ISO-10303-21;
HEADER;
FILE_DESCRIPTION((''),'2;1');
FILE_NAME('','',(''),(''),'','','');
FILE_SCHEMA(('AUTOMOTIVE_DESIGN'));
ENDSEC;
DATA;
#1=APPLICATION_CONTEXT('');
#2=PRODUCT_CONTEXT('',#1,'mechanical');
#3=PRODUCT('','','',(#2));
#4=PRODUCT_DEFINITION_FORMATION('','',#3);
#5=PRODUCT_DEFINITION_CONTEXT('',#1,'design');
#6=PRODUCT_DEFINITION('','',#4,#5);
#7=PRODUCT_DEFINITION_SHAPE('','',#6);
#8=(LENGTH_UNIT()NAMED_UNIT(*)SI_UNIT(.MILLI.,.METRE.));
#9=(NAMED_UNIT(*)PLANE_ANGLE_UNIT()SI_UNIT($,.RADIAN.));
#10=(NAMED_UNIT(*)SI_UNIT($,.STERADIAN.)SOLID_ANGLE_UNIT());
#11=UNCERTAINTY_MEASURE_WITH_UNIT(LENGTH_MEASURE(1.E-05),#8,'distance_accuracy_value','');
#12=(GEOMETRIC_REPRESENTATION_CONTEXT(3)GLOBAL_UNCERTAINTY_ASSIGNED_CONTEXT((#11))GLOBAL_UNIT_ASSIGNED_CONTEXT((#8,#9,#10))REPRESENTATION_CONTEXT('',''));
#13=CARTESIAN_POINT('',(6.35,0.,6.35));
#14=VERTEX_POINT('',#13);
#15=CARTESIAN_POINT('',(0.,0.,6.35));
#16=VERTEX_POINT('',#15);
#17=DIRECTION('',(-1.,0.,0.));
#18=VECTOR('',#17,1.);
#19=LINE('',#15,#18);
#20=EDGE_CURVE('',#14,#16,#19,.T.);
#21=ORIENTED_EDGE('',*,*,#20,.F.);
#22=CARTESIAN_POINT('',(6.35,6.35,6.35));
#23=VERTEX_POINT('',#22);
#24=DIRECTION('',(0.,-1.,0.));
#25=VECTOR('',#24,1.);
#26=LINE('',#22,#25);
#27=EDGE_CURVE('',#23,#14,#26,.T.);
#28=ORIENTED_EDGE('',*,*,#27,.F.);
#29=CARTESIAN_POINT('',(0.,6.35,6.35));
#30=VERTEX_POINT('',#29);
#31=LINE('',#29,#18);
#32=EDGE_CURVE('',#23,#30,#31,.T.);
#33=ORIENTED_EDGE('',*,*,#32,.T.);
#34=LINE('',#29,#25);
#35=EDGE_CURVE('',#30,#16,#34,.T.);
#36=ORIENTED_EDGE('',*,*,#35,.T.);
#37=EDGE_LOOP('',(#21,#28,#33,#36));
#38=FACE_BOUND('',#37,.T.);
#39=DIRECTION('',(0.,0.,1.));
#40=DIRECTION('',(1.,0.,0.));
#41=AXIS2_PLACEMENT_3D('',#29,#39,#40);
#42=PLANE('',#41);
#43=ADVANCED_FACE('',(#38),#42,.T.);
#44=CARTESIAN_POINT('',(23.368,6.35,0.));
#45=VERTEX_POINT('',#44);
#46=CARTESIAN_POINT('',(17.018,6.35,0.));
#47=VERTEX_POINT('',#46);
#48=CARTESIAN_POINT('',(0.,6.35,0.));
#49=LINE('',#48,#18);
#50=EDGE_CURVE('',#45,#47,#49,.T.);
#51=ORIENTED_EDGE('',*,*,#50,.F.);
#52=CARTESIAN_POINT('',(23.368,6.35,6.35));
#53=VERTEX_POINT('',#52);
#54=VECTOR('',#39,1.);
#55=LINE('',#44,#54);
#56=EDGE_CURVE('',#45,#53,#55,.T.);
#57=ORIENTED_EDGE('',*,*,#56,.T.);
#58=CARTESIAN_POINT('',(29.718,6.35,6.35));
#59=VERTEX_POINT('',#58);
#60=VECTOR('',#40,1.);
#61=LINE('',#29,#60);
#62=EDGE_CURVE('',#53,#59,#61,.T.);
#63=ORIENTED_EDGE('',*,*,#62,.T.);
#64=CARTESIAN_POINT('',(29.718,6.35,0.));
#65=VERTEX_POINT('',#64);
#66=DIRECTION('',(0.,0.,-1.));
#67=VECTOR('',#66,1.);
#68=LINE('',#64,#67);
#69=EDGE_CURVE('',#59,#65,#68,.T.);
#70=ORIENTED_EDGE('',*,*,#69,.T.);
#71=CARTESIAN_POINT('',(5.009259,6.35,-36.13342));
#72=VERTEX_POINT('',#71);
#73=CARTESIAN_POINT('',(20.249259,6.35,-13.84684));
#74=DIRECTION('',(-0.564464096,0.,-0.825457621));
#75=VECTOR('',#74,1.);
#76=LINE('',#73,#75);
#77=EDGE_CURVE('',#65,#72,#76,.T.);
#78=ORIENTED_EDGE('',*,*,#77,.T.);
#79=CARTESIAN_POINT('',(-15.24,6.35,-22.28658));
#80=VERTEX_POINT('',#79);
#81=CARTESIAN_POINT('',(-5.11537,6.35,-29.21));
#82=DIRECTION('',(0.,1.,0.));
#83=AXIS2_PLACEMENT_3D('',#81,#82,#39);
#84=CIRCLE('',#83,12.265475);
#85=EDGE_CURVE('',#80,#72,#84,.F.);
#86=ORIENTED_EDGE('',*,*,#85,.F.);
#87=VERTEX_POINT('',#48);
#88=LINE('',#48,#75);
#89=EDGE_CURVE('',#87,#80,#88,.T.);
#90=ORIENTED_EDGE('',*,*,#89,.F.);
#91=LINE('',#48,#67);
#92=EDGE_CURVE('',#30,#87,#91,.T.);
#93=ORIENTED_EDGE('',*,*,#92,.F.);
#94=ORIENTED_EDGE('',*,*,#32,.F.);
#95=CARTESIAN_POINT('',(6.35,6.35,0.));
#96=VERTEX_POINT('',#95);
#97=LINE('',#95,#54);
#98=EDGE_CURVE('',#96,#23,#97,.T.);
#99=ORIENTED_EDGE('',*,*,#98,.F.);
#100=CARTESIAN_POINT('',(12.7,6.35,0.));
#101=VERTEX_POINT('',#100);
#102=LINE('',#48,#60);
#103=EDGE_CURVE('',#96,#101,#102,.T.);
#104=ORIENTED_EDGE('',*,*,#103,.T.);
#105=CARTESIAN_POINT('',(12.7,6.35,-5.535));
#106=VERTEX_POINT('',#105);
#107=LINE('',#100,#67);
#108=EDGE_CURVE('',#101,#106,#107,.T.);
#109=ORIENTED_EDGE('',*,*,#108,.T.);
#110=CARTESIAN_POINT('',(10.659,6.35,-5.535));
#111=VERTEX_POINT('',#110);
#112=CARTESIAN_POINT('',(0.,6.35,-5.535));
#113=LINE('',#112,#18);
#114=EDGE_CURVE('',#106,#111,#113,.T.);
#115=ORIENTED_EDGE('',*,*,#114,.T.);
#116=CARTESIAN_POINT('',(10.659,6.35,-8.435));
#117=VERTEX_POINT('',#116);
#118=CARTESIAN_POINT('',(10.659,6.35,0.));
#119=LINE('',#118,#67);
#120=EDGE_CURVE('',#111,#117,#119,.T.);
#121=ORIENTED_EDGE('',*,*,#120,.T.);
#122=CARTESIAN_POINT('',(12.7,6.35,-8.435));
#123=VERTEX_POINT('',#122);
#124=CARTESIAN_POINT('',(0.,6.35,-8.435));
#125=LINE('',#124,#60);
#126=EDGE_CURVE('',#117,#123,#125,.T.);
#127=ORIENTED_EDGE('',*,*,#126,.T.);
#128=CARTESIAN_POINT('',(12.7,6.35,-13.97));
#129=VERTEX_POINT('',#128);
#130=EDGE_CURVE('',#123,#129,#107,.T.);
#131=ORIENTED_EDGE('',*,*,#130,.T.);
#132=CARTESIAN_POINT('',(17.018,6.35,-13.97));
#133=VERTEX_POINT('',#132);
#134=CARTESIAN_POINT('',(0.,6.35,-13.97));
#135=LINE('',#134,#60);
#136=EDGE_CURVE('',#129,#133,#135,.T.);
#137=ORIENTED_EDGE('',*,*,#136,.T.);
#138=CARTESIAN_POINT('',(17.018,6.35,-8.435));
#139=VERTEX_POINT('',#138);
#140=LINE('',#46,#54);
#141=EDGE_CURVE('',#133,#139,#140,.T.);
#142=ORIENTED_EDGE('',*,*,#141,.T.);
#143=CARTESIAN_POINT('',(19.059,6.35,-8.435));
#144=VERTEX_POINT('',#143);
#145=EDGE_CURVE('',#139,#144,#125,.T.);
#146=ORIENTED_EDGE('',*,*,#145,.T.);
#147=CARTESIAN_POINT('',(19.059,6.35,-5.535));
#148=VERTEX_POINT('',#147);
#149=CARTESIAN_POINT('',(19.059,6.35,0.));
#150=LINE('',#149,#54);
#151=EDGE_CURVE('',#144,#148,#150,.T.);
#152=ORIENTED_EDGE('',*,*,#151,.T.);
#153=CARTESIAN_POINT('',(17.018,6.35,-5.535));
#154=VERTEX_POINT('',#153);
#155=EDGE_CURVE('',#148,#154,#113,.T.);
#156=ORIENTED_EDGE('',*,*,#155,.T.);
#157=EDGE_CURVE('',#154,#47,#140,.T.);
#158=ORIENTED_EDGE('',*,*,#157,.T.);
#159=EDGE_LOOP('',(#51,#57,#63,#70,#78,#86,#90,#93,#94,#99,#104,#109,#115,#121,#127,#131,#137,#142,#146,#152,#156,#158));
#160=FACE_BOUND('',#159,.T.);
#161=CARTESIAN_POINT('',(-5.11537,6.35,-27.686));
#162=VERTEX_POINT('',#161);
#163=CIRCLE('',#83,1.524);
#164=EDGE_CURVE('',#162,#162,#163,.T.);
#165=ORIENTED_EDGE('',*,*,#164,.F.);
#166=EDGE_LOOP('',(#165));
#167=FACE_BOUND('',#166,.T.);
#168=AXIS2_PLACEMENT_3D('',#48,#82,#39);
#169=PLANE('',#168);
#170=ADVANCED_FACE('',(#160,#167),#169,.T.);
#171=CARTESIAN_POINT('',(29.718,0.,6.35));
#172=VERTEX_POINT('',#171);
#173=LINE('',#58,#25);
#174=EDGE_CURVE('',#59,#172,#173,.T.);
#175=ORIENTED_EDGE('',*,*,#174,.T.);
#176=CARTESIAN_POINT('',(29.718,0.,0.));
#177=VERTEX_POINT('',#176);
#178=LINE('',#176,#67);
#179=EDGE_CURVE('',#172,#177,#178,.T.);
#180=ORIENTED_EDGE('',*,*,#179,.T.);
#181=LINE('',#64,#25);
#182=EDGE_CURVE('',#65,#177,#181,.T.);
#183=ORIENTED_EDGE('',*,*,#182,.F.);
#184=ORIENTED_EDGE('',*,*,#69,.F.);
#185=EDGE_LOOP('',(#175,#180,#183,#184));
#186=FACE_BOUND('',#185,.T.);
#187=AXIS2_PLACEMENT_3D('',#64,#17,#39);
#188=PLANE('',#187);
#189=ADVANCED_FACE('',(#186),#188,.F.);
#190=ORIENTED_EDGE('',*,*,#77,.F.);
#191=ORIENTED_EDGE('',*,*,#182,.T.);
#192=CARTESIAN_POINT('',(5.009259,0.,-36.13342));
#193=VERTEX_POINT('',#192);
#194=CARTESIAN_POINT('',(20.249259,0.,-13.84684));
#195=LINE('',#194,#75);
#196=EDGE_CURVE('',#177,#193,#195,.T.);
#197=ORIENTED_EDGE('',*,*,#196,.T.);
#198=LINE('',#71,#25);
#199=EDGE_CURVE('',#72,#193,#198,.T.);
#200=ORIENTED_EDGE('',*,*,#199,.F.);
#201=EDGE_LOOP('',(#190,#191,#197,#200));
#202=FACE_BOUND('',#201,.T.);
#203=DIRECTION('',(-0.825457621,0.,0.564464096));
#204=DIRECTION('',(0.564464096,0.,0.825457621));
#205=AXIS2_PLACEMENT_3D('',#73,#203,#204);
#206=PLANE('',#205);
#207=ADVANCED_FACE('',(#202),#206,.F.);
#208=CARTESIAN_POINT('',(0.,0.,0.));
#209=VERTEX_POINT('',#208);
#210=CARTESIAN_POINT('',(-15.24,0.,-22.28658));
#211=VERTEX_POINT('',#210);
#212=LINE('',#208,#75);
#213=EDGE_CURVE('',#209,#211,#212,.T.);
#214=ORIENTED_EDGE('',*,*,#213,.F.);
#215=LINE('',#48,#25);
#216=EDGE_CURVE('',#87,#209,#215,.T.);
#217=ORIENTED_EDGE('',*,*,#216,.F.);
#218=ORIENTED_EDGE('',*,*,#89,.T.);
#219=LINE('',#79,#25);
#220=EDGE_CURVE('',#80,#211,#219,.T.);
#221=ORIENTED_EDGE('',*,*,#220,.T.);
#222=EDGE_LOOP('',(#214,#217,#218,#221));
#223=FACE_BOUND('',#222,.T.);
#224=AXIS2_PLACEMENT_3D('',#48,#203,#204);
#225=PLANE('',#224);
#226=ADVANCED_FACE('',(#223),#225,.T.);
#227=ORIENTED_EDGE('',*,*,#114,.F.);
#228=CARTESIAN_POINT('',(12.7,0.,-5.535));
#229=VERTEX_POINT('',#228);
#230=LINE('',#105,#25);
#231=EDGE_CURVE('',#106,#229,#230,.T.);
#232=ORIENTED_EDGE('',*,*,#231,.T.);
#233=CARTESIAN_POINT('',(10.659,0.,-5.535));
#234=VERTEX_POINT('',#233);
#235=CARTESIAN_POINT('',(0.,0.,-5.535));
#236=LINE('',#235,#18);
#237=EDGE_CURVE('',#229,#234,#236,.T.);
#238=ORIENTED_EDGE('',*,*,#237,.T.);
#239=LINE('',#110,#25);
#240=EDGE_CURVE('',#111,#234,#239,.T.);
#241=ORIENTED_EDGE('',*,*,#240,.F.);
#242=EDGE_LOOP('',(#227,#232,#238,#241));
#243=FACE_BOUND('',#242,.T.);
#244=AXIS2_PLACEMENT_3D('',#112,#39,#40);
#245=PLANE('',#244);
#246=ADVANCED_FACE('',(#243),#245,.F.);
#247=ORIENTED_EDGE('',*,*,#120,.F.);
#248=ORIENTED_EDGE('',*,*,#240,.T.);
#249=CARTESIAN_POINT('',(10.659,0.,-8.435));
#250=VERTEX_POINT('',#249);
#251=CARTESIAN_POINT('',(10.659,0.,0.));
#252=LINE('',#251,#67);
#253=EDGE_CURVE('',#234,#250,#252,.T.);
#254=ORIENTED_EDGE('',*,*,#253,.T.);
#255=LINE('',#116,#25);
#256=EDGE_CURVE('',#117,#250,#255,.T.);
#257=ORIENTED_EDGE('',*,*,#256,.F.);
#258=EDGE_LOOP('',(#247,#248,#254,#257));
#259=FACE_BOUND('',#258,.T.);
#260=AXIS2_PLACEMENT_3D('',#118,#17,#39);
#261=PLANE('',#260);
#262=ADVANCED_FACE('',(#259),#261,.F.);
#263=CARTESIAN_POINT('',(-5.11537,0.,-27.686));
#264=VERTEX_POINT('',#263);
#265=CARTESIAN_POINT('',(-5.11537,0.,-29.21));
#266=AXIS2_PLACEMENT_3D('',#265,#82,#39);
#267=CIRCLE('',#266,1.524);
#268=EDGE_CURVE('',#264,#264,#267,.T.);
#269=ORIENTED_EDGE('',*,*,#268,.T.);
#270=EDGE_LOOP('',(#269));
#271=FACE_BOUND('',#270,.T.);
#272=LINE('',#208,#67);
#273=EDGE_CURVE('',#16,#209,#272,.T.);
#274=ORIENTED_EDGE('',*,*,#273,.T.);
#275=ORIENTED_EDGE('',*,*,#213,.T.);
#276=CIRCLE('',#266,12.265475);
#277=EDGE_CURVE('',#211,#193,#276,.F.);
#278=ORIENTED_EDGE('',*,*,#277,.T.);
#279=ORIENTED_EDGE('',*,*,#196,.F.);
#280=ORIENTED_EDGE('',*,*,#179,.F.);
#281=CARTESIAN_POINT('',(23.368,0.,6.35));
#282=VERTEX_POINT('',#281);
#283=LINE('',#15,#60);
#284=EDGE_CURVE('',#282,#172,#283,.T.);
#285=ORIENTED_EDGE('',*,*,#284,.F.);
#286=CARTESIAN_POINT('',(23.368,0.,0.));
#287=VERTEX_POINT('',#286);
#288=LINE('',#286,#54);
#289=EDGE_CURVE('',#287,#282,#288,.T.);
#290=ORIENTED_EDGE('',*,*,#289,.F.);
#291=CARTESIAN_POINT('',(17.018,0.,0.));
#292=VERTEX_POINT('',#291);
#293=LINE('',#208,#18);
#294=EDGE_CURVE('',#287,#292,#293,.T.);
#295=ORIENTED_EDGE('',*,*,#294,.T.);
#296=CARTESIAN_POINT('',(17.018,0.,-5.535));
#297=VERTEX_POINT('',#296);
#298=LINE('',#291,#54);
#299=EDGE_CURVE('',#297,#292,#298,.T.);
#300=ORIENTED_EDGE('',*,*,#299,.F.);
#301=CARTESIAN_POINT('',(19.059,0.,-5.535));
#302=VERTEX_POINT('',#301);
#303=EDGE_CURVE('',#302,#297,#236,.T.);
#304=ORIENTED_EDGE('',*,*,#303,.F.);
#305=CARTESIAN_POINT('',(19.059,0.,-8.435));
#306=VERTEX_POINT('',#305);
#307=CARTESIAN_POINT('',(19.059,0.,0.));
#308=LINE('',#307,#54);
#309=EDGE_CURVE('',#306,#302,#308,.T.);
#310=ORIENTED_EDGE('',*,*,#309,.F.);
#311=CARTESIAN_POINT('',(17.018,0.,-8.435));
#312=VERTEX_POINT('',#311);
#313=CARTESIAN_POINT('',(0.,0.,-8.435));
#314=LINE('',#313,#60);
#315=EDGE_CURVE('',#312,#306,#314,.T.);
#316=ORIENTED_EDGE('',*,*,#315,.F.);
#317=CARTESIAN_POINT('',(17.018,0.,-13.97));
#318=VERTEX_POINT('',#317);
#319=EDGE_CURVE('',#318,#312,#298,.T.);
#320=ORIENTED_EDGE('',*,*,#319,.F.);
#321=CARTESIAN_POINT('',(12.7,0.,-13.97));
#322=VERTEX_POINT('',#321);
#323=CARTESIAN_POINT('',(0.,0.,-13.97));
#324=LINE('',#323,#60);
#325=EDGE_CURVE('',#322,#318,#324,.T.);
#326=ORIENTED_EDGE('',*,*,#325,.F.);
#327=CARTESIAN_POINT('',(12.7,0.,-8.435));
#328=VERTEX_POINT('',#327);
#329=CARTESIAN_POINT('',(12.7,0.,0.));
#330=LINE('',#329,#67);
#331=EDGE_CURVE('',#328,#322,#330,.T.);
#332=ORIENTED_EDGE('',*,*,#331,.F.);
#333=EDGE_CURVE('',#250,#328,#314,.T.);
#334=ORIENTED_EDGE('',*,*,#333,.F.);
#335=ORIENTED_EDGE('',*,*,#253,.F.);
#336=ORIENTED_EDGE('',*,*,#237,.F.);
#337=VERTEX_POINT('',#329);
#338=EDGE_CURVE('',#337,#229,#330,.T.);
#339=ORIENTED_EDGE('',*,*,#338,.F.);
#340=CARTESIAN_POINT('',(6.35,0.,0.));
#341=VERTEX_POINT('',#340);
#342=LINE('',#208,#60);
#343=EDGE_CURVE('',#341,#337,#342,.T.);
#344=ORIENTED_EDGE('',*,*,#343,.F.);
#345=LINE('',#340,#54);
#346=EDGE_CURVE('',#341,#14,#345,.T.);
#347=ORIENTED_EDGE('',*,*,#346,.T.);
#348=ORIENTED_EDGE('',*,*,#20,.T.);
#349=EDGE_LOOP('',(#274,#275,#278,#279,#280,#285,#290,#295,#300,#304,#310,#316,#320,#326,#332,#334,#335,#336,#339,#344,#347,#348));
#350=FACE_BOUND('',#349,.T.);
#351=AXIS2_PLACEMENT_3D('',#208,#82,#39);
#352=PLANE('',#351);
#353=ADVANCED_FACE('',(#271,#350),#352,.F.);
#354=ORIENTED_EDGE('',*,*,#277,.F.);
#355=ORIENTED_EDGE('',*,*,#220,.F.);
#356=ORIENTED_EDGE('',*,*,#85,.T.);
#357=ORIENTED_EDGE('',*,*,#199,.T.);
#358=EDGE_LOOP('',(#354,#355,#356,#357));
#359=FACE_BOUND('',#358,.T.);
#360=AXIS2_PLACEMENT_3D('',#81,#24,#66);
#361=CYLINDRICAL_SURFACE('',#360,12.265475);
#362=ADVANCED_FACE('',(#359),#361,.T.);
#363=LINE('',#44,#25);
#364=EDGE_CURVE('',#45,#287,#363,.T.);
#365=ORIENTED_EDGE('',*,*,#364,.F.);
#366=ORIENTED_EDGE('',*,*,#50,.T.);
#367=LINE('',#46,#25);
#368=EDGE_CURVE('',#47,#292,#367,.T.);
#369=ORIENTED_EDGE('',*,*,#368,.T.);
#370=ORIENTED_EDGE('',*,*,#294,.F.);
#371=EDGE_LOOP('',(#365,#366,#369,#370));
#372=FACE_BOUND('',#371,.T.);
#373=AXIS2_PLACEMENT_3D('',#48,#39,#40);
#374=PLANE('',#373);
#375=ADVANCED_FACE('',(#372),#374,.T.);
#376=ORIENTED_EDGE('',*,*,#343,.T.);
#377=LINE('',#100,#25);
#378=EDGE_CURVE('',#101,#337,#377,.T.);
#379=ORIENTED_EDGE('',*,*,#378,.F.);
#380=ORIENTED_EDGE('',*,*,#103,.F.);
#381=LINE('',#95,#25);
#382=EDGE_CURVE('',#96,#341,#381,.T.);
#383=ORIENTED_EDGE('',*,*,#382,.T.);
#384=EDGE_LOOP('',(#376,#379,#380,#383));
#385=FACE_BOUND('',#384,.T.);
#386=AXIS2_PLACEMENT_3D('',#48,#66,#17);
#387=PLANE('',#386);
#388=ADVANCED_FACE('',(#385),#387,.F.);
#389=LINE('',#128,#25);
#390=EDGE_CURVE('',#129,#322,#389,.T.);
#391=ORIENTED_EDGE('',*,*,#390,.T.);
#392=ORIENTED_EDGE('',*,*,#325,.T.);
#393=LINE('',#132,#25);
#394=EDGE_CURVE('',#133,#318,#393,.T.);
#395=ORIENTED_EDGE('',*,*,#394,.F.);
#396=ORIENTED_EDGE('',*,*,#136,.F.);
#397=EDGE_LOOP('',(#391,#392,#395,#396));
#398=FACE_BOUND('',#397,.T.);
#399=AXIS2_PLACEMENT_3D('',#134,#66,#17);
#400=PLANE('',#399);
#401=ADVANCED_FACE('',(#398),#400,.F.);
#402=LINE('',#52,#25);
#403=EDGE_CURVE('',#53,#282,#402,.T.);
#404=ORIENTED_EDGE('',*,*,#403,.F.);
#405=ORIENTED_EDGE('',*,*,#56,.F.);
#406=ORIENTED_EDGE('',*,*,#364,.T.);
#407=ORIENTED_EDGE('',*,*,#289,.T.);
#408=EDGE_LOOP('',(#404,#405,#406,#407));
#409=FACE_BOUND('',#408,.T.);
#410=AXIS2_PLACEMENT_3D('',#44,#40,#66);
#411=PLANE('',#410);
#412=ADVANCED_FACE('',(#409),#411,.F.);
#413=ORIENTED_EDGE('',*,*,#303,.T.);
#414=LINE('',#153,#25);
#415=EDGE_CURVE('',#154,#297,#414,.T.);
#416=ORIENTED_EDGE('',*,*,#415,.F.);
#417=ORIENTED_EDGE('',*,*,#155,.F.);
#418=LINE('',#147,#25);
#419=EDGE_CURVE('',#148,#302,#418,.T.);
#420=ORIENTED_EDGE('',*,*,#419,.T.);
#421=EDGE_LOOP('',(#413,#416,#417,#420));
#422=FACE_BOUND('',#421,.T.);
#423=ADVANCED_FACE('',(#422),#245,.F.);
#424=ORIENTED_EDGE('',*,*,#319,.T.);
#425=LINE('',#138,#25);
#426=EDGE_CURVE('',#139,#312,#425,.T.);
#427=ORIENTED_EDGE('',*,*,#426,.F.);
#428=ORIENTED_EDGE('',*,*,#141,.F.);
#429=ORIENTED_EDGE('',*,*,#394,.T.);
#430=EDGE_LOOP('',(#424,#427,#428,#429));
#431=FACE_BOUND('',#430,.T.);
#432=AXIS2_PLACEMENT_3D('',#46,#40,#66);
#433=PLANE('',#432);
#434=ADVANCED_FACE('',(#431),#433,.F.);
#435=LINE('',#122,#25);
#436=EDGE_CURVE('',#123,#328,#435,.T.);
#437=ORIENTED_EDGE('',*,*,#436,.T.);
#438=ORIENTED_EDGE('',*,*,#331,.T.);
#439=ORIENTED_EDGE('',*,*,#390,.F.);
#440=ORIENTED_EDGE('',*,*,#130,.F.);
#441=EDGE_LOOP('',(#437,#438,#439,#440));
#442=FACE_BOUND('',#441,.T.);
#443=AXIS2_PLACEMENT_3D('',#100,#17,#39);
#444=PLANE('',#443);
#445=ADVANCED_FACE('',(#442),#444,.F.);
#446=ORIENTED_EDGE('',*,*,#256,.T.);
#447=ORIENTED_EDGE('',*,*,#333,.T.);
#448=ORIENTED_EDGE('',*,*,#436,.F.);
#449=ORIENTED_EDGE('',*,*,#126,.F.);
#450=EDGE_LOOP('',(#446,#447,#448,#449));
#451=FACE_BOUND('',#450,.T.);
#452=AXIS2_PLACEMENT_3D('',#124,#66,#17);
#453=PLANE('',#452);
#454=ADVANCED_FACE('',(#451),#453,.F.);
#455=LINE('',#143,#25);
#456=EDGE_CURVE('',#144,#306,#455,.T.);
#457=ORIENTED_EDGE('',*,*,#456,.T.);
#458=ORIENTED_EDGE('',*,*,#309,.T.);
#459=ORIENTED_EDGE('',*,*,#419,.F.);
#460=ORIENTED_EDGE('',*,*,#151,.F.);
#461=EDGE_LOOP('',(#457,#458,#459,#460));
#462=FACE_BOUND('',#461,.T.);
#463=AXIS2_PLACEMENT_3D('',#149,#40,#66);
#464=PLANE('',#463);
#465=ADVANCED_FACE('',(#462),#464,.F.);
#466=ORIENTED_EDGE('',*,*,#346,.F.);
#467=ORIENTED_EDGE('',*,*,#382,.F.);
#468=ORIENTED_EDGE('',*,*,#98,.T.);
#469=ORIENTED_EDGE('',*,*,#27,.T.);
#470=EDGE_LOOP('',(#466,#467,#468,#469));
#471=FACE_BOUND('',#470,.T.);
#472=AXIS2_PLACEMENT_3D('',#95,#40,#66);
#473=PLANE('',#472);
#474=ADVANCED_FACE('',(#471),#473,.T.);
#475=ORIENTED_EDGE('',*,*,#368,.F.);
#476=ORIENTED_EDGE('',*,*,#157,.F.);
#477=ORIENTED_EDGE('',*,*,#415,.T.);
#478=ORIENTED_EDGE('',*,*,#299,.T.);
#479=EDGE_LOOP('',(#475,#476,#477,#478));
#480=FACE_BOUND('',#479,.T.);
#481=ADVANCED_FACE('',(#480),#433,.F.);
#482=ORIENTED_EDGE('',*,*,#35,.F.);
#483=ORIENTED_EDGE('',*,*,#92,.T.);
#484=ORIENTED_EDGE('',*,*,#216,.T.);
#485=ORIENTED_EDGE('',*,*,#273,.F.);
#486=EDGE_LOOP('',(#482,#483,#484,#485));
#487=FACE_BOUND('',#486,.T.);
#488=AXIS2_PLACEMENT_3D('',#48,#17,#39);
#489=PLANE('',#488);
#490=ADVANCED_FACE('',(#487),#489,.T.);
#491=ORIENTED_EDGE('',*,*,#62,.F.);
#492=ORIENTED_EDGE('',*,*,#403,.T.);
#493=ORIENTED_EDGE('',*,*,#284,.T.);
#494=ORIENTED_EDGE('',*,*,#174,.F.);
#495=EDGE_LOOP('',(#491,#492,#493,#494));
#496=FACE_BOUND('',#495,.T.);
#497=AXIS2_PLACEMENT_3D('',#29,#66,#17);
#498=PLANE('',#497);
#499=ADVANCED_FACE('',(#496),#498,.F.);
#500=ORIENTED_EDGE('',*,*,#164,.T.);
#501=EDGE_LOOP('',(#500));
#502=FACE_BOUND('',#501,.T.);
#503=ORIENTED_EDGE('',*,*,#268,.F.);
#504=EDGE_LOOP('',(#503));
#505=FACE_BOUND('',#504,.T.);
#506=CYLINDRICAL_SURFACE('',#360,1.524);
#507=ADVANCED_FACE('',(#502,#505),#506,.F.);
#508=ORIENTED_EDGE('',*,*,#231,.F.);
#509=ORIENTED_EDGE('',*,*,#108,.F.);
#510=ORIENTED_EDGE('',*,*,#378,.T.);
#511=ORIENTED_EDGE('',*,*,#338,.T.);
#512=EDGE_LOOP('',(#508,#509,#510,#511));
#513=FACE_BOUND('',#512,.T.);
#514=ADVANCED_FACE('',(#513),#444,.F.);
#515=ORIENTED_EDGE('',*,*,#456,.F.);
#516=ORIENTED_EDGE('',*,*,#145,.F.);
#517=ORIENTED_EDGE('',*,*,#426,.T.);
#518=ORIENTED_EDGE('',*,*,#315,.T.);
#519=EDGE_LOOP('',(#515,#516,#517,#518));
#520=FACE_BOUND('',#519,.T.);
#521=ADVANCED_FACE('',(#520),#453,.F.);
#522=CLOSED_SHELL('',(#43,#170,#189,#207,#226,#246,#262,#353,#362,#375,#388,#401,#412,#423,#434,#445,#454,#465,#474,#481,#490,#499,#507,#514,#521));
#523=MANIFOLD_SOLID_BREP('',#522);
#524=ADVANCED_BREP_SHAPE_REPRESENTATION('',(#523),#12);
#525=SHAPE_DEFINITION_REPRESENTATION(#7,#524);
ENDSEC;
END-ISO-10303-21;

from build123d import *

# Parameters (mm, degrees)
SKETCH1_R           = 1.524
BOSS_EXTRUDE1_DEPTH = 6.35


with BuildPart() as part:
    # Sketch1 → Boss-Extrude1 (new body)
    with BuildSketch(Plane(origin=(0, 0, 0), x_dir=(1, 0, 0), z_dir=(0, 1, 0))):
        with BuildLine():
            Line((-15.24, 22.286579861), (0, 0))
            Line((0, 0), (0, -6.35))
            Line((0, -6.35), (6.35, -6.35))
            Line((6.35, -6.35), (6.35, 0))
            Line((6.35, 0), (12.7, 0))
            Line((12.7, 0), (12.7, 5.534999979))
            Line((12.7, 5.534999979), (10.659000018, 5.534999979))
            Line((10.659000018, 5.534999979), (10.659000018, 8.435000021))
            Line((10.659000018, 8.435000021), (12.7, 8.435000021))
            Line((12.7, 8.435000021), (12.7, 13.97))
            Line((12.7, 13.97), (17.018, 13.97))
            Line((17.018, 13.97), (17.018, 8.435000021))
            Line((17.018, 8.435000021), (19.058999982, 8.435000021))
            Line((19.058999982, 8.435000021), (19.058999982, 5.534999979))
            Line((19.058999982, 5.534999979), (17.018, 5.534999979))
            Line((17.018, 5.534999979), (17.018, 0))
            Line((17.018, 0), (23.368, 0))
            Line((23.368, 0), (23.368, -6.35))
            Line((23.368, -6.35), (29.718, -6.35))
            Line((29.718, -6.35), (29.718, 0))
            Line((29.718, 0), (5.009259297, 36.133420139))
            ThreePointArc((5.009259297, 36.133420139), (-12.038790491, 39.334629649), (-15.24, 22.286579861))
        make_face()
        with Locations((-5.115370351, 29.21)):
            Circle(SKETCH1_R, mode=Mode.SUBTRACT)
    extrude(amount=BOSS_EXTRUDE1_DEPTH)


solid = part.part
